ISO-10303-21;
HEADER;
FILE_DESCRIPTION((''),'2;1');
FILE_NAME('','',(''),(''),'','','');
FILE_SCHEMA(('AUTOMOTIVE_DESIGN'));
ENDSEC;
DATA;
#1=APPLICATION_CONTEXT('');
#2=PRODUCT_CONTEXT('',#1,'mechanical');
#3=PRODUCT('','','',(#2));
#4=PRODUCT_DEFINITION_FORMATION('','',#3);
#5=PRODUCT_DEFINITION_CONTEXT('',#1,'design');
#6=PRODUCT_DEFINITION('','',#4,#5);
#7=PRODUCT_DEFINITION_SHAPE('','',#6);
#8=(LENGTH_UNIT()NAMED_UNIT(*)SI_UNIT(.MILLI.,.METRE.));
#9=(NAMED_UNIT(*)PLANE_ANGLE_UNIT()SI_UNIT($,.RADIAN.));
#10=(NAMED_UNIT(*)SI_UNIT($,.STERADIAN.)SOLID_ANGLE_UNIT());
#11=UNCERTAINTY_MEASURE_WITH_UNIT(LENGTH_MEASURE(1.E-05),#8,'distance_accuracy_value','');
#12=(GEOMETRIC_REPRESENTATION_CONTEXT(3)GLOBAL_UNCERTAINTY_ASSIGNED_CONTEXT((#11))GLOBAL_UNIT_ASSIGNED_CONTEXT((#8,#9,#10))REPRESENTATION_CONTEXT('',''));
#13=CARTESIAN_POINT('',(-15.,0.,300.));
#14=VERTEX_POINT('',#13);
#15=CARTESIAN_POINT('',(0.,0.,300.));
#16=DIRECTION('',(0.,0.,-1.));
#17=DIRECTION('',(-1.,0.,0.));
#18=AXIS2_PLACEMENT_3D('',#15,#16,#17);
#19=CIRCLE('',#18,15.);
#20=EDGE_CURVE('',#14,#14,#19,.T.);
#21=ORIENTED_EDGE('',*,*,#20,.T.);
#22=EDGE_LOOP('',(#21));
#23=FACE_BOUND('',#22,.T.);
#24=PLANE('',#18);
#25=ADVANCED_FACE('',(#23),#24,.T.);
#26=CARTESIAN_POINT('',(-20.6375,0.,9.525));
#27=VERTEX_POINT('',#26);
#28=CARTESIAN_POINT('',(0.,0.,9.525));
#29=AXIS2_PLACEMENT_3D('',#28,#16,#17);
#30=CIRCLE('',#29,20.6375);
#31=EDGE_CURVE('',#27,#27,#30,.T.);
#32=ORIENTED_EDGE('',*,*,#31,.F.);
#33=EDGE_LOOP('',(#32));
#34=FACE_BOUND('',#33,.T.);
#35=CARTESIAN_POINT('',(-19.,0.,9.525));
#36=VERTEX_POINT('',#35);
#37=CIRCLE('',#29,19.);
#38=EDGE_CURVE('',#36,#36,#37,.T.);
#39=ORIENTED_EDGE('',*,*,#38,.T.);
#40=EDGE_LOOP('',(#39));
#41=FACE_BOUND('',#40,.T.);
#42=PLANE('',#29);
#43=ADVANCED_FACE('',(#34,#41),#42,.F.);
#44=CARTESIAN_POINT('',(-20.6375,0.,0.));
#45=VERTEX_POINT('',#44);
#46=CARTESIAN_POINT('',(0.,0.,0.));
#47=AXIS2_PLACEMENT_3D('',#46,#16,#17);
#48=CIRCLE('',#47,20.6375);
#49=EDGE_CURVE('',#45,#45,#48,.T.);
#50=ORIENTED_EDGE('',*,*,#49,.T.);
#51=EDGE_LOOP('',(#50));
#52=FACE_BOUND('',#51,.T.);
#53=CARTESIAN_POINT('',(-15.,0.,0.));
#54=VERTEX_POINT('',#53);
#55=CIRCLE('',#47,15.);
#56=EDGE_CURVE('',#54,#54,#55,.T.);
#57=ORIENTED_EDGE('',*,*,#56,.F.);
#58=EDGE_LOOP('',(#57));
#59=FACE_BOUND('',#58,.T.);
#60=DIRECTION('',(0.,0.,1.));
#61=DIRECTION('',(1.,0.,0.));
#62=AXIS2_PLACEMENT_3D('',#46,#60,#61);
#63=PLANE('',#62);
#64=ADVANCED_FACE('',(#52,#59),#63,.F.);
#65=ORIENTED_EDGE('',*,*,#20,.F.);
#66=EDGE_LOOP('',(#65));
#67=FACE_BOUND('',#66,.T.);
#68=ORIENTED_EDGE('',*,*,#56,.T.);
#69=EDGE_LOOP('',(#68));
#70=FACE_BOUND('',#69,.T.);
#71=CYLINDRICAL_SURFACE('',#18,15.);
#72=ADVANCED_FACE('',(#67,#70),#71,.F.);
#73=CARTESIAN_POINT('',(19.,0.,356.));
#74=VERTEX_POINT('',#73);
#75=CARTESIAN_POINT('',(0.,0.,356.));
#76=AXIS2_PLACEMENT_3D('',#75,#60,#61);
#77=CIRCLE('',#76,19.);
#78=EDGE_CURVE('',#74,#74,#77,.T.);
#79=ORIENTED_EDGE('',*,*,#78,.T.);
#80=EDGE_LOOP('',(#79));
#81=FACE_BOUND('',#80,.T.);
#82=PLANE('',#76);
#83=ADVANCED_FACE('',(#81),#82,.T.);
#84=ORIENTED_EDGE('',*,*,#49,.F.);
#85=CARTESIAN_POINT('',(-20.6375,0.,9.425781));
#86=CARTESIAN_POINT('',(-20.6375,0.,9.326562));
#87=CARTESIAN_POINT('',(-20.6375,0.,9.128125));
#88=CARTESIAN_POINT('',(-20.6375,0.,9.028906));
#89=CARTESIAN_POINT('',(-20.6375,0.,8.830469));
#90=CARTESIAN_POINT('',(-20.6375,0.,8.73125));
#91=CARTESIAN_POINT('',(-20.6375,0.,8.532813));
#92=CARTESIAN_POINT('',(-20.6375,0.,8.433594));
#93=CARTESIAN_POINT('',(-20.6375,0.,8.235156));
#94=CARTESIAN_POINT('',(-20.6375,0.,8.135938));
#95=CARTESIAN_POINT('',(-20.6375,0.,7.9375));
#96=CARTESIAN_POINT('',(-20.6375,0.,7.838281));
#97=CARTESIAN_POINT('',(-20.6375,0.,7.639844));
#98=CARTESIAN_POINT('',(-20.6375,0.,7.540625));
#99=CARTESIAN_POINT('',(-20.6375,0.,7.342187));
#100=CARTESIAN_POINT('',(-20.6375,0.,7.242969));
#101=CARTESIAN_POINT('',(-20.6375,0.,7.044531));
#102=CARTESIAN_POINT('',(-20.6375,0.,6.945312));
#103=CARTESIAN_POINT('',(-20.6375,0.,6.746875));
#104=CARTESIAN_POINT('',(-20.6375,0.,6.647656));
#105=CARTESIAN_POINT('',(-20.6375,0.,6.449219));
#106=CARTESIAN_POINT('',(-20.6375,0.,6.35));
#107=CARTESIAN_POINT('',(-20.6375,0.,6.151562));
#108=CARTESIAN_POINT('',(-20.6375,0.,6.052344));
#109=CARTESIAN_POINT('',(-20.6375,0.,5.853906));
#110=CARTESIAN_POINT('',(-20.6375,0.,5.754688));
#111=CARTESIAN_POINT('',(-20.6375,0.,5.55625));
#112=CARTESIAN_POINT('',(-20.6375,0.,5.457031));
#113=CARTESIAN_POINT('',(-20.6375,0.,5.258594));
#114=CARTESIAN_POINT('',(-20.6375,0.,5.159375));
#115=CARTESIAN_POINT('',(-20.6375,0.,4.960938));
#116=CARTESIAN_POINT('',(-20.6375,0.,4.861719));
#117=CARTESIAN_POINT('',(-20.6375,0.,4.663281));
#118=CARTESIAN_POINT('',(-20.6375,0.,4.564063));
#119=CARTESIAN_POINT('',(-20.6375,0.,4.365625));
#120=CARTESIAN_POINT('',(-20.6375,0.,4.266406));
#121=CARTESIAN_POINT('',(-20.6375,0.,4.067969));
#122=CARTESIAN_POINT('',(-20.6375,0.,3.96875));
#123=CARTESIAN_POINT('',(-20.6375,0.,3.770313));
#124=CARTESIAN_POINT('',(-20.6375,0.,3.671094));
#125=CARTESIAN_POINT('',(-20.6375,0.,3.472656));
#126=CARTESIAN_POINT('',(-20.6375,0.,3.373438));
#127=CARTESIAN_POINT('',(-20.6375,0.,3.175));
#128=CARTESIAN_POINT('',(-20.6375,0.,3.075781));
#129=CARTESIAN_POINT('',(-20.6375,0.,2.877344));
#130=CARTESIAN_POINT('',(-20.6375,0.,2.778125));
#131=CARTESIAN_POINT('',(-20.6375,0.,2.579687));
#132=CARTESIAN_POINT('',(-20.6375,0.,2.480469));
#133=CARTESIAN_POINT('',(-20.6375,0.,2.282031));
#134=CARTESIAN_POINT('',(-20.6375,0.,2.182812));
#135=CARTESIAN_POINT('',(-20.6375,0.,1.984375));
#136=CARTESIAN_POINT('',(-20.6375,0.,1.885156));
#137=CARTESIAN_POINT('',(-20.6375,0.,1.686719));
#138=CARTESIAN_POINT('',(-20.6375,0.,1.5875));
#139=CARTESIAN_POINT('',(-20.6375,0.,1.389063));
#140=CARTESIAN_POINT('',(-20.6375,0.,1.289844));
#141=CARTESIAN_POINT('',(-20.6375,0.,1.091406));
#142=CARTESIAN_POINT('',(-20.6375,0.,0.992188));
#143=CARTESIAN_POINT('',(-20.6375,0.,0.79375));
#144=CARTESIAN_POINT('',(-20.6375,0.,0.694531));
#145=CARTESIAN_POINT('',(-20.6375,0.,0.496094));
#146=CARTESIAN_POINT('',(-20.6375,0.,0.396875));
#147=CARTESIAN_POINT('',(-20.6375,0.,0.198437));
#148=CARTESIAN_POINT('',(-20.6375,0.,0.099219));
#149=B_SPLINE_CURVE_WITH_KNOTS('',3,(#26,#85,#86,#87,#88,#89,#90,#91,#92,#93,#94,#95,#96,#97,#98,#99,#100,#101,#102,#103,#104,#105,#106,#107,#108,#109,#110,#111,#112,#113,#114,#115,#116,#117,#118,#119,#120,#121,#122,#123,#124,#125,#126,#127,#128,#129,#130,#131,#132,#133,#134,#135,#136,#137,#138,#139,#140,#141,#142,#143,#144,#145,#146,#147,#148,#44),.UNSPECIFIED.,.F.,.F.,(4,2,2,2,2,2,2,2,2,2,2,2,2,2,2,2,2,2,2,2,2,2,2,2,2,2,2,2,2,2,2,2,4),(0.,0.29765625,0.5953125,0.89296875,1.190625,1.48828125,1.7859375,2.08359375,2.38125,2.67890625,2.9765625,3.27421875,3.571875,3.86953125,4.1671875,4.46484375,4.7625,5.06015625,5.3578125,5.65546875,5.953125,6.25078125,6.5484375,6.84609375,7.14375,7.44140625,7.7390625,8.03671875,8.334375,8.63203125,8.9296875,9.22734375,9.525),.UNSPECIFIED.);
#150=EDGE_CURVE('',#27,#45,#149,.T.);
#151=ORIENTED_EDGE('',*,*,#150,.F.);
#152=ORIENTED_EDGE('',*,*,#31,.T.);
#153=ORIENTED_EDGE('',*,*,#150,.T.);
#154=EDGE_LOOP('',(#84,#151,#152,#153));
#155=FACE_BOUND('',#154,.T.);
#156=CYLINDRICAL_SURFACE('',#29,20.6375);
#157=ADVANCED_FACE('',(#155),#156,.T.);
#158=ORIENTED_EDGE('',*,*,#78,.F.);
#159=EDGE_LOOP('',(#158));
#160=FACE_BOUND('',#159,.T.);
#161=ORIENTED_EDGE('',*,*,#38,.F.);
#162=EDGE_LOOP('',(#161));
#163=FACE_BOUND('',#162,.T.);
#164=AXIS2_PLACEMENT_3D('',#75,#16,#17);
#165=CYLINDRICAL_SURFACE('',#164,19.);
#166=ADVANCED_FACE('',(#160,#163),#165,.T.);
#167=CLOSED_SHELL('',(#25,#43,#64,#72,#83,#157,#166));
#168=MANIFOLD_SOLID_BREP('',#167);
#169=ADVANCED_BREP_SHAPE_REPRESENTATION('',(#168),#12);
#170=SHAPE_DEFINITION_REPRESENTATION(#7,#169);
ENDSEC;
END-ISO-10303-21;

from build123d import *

# Parameters (mm, degrees)
SKETCH3_R           = 19
BOSS_EXTRUDE1_DEPTH = 356
SKETCH4_R           = 20.6375
BOSS_EXTRUDE2_DEPTH = 9.525
SKETCH5_R           = 15
CUT_EXTRUDE1_DEPTH  = 300


with BuildPart() as part:
    # Sketch3 → Boss-Extrude1 (new body)
    with BuildSketch(Plane.XY):
        Circle(SKETCH3_R)
    extrude(amount=BOSS_EXTRUDE1_DEPTH)

    # Sketch4 → Boss-Extrude2 (add)
    with BuildSketch(Plane(origin=(0, 0, 0), x_dir=(-1, 0, 0), z_dir=(0, 0, -1))):
        Circle(SKETCH4_R)
    extrude(amount=-BOSS_EXTRUDE2_DEPTH)

    # Sketch5 → Cut-Extrude1 (cut)
    with BuildSketch(Plane(origin=(0, 0, 0), x_dir=(-1, 0, 0), z_dir=(0, 0, -1))):
        Circle(SKETCH5_R)
    extrude(amount=-CUT_EXTRUDE1_DEPTH, mode=Mode.SUBTRACT)


solid = part.part
